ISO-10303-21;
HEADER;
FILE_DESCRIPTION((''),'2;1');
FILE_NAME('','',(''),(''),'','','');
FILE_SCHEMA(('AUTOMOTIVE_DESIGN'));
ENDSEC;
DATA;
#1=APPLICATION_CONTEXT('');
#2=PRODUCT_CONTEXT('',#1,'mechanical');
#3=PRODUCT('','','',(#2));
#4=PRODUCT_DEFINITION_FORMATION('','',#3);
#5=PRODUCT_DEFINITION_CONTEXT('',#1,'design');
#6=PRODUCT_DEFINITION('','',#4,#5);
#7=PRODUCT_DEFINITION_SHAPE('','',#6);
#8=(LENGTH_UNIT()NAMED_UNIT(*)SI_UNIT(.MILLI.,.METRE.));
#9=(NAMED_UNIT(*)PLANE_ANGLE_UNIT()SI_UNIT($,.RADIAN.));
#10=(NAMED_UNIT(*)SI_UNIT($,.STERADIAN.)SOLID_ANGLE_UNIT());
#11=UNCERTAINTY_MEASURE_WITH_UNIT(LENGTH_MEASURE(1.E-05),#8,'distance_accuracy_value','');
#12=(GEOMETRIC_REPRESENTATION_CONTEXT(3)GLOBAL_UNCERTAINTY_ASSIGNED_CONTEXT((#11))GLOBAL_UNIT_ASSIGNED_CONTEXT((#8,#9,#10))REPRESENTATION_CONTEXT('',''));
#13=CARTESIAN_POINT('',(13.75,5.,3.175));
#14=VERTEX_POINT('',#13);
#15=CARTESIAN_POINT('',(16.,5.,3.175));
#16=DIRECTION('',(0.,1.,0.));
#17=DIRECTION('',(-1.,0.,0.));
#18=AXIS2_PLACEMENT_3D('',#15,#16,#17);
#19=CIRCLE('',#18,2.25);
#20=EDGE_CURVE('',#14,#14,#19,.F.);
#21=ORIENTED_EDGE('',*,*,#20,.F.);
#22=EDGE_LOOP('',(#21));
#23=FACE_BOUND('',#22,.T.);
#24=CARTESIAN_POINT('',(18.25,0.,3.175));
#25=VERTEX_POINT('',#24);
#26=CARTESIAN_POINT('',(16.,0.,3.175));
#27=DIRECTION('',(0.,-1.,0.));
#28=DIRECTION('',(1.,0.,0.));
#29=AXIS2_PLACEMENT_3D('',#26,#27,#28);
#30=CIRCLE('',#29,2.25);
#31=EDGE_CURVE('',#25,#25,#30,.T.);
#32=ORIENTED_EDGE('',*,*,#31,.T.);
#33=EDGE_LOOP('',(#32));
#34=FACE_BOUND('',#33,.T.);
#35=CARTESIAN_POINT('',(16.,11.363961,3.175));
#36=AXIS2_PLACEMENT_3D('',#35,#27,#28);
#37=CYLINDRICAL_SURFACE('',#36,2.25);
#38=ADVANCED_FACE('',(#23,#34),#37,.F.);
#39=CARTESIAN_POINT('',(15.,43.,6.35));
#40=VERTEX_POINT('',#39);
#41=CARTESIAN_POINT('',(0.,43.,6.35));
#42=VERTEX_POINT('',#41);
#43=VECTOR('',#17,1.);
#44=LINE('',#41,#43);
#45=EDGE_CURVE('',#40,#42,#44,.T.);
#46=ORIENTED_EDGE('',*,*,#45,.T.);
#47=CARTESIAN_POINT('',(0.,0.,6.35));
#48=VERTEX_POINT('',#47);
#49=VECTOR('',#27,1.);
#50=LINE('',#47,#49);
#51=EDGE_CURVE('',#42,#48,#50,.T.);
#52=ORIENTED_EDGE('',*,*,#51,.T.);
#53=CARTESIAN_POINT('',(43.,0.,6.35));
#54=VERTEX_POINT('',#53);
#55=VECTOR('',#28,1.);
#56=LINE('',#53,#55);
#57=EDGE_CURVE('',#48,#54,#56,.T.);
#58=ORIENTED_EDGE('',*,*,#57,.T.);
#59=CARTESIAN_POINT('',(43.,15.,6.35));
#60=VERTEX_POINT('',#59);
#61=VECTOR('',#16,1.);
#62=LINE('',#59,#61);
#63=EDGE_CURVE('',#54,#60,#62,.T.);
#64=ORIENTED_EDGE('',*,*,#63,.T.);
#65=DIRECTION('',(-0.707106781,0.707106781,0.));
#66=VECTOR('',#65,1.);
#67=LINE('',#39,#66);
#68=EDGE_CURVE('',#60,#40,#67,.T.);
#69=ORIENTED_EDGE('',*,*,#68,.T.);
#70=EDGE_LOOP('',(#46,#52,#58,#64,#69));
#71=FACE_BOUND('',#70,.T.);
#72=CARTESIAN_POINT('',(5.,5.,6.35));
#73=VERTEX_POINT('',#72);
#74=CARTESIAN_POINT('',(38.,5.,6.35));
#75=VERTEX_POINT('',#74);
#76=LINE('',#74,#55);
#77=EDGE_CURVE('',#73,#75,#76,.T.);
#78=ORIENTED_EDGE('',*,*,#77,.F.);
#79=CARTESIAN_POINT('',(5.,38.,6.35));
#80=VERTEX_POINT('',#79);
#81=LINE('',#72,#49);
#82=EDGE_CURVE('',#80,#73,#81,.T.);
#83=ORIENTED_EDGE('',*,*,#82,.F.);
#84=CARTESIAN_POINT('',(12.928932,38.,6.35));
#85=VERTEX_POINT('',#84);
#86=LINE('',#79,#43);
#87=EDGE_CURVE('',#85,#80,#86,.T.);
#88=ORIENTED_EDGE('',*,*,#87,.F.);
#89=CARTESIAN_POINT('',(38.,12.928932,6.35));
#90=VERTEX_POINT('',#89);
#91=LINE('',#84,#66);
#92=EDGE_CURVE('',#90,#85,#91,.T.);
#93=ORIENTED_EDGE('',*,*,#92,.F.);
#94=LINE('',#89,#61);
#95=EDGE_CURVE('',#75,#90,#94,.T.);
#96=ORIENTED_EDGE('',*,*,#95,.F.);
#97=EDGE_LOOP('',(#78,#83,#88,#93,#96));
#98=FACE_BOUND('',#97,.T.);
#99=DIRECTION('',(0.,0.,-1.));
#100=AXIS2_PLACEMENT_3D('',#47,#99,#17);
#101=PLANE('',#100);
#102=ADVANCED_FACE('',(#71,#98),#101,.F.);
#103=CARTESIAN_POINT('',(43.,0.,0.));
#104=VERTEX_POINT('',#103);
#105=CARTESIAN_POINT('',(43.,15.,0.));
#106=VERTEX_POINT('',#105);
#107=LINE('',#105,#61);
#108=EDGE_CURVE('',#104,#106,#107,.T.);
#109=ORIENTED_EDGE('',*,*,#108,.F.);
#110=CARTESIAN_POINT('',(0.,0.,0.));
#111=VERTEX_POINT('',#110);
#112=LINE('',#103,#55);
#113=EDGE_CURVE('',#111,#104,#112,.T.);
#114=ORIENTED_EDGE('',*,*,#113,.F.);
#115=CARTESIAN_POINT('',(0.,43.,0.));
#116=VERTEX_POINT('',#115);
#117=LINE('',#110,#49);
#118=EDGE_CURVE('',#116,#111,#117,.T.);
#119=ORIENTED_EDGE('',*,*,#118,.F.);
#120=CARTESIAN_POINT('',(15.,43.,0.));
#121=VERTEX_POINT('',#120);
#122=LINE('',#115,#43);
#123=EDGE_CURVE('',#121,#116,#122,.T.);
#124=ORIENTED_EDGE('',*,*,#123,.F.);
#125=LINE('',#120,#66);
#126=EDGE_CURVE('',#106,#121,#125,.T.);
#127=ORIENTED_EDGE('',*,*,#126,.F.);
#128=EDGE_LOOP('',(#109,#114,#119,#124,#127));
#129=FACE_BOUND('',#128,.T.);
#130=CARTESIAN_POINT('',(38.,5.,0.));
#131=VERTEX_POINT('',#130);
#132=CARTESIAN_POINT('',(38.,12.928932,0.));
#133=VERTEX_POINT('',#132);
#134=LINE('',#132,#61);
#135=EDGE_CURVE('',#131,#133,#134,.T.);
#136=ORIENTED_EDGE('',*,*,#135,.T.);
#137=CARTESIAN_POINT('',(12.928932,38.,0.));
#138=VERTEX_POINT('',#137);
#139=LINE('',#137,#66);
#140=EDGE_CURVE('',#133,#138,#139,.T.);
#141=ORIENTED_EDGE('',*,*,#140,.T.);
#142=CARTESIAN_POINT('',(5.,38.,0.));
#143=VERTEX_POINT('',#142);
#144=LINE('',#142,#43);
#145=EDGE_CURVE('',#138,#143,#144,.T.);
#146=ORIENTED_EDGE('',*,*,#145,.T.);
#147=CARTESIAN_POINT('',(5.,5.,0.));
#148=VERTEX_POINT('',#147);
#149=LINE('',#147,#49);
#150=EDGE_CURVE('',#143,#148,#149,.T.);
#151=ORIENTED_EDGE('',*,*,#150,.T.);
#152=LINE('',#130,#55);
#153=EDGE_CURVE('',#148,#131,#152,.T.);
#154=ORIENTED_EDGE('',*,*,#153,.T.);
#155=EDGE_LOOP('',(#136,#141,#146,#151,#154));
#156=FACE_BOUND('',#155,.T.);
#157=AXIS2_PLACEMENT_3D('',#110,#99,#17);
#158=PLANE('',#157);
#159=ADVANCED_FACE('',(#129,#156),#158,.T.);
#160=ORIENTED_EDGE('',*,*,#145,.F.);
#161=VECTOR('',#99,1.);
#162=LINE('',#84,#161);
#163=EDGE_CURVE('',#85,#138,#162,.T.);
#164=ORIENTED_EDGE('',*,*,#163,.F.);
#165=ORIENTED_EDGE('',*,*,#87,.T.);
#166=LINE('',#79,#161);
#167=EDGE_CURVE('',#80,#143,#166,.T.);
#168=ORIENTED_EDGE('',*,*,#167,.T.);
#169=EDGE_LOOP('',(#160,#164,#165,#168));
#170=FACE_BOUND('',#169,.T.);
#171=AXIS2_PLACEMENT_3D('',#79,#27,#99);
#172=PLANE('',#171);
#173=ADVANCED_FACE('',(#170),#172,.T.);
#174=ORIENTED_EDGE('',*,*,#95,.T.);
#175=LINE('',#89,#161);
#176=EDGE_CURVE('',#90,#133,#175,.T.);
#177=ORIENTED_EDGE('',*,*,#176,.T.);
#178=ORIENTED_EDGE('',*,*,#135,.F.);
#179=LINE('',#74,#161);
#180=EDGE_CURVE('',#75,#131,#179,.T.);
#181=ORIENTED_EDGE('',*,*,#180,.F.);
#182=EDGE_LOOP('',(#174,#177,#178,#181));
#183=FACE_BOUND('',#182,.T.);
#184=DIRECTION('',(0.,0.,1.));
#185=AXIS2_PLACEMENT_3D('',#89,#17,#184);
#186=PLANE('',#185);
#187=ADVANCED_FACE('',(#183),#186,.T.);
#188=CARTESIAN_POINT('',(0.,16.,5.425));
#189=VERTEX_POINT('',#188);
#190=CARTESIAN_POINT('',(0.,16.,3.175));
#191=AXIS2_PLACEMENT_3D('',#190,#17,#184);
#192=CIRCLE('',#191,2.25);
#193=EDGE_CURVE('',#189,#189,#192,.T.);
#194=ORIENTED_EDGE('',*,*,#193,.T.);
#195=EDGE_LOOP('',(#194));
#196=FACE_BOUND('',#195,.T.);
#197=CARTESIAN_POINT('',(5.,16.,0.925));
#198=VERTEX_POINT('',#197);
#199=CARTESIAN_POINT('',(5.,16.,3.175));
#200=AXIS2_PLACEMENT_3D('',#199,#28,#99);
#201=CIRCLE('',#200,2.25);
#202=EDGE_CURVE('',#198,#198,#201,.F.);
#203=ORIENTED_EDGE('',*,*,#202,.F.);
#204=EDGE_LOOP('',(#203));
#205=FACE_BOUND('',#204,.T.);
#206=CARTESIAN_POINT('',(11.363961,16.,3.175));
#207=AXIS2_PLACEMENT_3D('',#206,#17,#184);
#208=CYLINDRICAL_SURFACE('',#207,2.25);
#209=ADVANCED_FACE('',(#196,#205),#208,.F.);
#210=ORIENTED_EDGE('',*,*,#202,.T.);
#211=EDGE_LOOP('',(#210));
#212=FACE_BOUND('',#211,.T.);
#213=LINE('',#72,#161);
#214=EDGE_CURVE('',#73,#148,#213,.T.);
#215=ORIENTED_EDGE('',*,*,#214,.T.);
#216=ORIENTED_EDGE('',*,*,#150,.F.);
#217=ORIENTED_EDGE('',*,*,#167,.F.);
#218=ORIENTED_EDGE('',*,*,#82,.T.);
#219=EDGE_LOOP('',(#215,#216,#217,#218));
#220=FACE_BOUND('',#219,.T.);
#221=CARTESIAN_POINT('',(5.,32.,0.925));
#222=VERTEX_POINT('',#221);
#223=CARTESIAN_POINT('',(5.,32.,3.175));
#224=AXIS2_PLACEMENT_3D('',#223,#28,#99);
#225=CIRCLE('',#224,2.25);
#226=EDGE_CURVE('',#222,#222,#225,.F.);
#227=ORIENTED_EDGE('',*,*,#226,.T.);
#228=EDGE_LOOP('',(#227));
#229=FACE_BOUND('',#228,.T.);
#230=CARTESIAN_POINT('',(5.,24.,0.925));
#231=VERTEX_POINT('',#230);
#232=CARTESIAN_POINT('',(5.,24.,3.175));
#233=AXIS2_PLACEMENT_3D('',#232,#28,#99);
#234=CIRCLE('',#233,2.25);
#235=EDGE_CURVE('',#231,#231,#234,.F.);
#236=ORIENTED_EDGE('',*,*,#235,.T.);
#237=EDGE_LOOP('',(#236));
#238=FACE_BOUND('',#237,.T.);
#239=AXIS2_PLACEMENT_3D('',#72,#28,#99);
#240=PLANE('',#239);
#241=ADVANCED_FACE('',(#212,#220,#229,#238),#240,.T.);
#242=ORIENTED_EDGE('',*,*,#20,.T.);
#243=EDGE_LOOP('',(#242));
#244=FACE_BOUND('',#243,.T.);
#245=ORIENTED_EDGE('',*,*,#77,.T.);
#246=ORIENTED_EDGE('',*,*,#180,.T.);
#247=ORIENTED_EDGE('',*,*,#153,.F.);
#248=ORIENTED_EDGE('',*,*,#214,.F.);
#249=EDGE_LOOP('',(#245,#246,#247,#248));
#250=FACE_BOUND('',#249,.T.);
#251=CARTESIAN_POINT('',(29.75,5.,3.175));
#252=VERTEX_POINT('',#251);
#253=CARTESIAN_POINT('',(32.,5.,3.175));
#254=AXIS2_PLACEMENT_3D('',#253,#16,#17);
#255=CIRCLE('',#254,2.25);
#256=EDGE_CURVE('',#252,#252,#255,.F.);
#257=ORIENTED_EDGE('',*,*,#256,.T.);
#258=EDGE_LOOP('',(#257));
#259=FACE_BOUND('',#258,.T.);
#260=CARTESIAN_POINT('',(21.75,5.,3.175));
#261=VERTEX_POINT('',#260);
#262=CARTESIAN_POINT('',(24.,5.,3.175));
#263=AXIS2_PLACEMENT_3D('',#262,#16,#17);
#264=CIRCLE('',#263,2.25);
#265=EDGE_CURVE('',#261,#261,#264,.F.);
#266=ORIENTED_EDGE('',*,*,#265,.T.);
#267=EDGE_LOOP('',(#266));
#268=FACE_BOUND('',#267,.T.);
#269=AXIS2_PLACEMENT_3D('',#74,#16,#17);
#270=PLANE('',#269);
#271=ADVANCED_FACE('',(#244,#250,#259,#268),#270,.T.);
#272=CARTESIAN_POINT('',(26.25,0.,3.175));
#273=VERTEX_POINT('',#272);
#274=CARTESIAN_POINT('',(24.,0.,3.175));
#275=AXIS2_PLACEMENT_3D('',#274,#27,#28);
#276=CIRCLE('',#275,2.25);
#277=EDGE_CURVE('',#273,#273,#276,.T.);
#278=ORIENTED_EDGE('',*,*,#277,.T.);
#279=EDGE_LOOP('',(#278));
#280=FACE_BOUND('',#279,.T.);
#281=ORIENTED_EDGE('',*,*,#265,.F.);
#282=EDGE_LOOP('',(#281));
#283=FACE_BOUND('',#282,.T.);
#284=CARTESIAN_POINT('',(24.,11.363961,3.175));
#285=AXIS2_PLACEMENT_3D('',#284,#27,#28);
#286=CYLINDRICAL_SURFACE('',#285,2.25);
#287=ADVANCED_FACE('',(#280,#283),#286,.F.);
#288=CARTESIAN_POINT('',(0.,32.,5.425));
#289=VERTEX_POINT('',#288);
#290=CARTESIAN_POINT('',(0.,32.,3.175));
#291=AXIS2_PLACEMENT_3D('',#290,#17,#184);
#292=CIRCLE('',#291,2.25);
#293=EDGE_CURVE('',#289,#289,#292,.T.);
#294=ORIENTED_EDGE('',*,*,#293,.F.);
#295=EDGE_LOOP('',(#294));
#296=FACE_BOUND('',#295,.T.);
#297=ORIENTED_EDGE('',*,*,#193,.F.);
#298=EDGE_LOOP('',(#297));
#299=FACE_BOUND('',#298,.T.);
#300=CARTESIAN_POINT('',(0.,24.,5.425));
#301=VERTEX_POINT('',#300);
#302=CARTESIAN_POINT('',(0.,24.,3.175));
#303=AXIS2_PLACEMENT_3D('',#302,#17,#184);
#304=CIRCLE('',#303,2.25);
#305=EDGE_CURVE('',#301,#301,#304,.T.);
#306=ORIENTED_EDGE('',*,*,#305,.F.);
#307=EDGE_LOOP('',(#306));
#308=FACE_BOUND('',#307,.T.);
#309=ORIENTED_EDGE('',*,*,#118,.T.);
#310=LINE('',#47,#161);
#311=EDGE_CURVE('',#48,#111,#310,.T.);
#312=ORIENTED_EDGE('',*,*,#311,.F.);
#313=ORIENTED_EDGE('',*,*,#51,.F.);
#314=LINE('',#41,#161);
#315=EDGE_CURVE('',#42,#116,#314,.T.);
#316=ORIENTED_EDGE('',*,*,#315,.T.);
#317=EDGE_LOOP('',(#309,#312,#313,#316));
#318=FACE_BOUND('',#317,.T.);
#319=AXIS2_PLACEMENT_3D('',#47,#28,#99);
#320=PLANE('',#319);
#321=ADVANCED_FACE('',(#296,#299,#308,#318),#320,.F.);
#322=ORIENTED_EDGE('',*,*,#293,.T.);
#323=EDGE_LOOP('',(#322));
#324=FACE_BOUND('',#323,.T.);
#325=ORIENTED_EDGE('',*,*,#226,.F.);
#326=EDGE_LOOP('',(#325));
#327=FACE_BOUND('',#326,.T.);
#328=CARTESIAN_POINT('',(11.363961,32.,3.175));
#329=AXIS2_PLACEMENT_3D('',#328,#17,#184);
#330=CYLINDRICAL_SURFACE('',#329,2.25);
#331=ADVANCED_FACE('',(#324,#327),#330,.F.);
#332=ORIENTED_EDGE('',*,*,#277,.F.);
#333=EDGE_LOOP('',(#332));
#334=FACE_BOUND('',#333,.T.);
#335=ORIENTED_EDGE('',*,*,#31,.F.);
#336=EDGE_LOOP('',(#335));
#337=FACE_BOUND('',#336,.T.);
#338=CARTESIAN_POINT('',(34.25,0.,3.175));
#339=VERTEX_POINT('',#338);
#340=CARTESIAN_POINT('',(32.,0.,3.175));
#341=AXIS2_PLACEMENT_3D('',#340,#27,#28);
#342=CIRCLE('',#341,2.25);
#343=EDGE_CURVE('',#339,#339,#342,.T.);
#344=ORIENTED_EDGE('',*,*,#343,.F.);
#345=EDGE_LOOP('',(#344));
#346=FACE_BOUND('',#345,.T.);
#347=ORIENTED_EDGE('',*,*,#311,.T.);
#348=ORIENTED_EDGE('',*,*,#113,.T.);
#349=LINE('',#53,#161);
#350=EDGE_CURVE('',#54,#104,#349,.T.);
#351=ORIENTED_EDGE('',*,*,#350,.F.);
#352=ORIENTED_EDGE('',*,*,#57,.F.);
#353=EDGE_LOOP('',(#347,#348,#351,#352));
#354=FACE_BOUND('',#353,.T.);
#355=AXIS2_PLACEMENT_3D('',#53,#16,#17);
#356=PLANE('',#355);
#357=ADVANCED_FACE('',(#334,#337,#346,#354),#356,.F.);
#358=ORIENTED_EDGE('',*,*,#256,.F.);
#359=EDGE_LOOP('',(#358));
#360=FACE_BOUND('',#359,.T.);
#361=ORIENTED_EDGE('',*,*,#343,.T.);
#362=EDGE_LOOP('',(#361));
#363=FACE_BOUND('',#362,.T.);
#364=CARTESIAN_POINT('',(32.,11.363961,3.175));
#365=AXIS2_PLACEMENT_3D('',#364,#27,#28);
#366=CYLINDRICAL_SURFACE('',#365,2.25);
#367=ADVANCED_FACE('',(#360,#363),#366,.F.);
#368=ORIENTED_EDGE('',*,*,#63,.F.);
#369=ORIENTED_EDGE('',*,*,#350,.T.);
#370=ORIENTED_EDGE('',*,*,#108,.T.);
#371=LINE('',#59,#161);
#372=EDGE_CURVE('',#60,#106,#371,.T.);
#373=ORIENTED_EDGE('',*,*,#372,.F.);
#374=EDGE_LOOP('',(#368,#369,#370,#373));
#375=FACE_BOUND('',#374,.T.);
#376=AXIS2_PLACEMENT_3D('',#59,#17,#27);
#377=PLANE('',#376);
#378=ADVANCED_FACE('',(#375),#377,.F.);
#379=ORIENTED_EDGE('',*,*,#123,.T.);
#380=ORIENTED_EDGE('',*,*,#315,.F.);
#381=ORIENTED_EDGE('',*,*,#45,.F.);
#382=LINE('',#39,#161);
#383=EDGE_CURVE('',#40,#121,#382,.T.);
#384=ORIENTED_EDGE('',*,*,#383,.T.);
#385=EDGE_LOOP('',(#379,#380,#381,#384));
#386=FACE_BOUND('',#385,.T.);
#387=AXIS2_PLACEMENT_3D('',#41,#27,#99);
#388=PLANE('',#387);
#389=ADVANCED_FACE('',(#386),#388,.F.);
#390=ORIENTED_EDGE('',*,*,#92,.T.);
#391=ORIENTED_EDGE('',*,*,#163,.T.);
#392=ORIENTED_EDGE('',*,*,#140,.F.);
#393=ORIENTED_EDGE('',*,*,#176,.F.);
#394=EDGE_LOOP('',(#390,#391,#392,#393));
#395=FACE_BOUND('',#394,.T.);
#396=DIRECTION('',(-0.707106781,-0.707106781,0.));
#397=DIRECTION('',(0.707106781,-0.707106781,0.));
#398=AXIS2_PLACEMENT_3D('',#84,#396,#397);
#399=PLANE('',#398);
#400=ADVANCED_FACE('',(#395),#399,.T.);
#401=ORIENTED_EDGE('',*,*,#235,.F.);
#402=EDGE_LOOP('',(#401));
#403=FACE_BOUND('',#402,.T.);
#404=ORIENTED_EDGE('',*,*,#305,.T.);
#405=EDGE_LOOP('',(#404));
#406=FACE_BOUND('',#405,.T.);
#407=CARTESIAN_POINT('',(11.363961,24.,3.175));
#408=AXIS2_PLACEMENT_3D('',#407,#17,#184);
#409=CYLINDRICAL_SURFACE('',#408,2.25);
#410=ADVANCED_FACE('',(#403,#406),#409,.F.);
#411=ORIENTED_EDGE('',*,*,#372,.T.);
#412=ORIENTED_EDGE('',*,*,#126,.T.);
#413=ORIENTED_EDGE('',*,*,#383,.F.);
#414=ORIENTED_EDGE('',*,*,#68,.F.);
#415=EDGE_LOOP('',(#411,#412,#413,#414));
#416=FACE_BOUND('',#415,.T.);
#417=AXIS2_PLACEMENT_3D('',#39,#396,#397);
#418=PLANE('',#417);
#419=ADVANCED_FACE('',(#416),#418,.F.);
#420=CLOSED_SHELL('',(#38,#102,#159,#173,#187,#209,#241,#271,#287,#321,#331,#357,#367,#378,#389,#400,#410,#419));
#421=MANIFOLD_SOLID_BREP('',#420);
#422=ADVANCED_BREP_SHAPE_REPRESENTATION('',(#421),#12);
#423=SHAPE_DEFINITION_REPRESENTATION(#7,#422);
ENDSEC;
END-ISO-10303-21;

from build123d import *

# Parameters (mm, degrees)
BOSS_EXTRUDE1_DEPTH = 6.35
SKETCH2_R           = 2.25
CUT_EXTRUDE1_DEPTH  = 5
SKETCH3_R           = 2.25
CUT_EXTRUDE2_DEPTH  = 5


with BuildPart() as part:
    # Sketch1 → Boss-Extrude1 (new body)
    with BuildSketch(Plane.XY):
        Polygon((0, 0), (0, 43), (15, 43), (43, 15), (43, 0), align=None)
        Polygon((38, 5), (5, 5), (5, 38), (12.928932188, 38), (38, 12.928932188), align=None, mode=Mode.SUBTRACT)
    extrude(amount=BOSS_EXTRUDE1_DEPTH)

    # Sketch2 → Cut-Extrude1 (cut)
    with BuildSketch(Plane.XZ):
        with Locations((16, 3.175)):
            Circle(SKETCH2_R)
        with Locations((24, 3.175)):
            Circle(SKETCH2_R)
        with Locations((32, 3.175)):
            Circle(SKETCH2_R)
    extrude(amount=-CUT_EXTRUDE1_DEPTH, mode=Mode.SUBTRACT)

    # Sketch3 → Cut-Extrude2 (cut)
    with BuildSketch(Plane.ZY):
        with Locations((3.175, 16)):
            Circle(SKETCH3_R)
        with Locations((3.175, 24)):
            Circle(SKETCH3_R)
        with Locations((3.175, 32)):
            Circle(SKETCH3_R)
    extrude(amount=-CUT_EXTRUDE2_DEPTH, mode=Mode.SUBTRACT)


solid = part.part
